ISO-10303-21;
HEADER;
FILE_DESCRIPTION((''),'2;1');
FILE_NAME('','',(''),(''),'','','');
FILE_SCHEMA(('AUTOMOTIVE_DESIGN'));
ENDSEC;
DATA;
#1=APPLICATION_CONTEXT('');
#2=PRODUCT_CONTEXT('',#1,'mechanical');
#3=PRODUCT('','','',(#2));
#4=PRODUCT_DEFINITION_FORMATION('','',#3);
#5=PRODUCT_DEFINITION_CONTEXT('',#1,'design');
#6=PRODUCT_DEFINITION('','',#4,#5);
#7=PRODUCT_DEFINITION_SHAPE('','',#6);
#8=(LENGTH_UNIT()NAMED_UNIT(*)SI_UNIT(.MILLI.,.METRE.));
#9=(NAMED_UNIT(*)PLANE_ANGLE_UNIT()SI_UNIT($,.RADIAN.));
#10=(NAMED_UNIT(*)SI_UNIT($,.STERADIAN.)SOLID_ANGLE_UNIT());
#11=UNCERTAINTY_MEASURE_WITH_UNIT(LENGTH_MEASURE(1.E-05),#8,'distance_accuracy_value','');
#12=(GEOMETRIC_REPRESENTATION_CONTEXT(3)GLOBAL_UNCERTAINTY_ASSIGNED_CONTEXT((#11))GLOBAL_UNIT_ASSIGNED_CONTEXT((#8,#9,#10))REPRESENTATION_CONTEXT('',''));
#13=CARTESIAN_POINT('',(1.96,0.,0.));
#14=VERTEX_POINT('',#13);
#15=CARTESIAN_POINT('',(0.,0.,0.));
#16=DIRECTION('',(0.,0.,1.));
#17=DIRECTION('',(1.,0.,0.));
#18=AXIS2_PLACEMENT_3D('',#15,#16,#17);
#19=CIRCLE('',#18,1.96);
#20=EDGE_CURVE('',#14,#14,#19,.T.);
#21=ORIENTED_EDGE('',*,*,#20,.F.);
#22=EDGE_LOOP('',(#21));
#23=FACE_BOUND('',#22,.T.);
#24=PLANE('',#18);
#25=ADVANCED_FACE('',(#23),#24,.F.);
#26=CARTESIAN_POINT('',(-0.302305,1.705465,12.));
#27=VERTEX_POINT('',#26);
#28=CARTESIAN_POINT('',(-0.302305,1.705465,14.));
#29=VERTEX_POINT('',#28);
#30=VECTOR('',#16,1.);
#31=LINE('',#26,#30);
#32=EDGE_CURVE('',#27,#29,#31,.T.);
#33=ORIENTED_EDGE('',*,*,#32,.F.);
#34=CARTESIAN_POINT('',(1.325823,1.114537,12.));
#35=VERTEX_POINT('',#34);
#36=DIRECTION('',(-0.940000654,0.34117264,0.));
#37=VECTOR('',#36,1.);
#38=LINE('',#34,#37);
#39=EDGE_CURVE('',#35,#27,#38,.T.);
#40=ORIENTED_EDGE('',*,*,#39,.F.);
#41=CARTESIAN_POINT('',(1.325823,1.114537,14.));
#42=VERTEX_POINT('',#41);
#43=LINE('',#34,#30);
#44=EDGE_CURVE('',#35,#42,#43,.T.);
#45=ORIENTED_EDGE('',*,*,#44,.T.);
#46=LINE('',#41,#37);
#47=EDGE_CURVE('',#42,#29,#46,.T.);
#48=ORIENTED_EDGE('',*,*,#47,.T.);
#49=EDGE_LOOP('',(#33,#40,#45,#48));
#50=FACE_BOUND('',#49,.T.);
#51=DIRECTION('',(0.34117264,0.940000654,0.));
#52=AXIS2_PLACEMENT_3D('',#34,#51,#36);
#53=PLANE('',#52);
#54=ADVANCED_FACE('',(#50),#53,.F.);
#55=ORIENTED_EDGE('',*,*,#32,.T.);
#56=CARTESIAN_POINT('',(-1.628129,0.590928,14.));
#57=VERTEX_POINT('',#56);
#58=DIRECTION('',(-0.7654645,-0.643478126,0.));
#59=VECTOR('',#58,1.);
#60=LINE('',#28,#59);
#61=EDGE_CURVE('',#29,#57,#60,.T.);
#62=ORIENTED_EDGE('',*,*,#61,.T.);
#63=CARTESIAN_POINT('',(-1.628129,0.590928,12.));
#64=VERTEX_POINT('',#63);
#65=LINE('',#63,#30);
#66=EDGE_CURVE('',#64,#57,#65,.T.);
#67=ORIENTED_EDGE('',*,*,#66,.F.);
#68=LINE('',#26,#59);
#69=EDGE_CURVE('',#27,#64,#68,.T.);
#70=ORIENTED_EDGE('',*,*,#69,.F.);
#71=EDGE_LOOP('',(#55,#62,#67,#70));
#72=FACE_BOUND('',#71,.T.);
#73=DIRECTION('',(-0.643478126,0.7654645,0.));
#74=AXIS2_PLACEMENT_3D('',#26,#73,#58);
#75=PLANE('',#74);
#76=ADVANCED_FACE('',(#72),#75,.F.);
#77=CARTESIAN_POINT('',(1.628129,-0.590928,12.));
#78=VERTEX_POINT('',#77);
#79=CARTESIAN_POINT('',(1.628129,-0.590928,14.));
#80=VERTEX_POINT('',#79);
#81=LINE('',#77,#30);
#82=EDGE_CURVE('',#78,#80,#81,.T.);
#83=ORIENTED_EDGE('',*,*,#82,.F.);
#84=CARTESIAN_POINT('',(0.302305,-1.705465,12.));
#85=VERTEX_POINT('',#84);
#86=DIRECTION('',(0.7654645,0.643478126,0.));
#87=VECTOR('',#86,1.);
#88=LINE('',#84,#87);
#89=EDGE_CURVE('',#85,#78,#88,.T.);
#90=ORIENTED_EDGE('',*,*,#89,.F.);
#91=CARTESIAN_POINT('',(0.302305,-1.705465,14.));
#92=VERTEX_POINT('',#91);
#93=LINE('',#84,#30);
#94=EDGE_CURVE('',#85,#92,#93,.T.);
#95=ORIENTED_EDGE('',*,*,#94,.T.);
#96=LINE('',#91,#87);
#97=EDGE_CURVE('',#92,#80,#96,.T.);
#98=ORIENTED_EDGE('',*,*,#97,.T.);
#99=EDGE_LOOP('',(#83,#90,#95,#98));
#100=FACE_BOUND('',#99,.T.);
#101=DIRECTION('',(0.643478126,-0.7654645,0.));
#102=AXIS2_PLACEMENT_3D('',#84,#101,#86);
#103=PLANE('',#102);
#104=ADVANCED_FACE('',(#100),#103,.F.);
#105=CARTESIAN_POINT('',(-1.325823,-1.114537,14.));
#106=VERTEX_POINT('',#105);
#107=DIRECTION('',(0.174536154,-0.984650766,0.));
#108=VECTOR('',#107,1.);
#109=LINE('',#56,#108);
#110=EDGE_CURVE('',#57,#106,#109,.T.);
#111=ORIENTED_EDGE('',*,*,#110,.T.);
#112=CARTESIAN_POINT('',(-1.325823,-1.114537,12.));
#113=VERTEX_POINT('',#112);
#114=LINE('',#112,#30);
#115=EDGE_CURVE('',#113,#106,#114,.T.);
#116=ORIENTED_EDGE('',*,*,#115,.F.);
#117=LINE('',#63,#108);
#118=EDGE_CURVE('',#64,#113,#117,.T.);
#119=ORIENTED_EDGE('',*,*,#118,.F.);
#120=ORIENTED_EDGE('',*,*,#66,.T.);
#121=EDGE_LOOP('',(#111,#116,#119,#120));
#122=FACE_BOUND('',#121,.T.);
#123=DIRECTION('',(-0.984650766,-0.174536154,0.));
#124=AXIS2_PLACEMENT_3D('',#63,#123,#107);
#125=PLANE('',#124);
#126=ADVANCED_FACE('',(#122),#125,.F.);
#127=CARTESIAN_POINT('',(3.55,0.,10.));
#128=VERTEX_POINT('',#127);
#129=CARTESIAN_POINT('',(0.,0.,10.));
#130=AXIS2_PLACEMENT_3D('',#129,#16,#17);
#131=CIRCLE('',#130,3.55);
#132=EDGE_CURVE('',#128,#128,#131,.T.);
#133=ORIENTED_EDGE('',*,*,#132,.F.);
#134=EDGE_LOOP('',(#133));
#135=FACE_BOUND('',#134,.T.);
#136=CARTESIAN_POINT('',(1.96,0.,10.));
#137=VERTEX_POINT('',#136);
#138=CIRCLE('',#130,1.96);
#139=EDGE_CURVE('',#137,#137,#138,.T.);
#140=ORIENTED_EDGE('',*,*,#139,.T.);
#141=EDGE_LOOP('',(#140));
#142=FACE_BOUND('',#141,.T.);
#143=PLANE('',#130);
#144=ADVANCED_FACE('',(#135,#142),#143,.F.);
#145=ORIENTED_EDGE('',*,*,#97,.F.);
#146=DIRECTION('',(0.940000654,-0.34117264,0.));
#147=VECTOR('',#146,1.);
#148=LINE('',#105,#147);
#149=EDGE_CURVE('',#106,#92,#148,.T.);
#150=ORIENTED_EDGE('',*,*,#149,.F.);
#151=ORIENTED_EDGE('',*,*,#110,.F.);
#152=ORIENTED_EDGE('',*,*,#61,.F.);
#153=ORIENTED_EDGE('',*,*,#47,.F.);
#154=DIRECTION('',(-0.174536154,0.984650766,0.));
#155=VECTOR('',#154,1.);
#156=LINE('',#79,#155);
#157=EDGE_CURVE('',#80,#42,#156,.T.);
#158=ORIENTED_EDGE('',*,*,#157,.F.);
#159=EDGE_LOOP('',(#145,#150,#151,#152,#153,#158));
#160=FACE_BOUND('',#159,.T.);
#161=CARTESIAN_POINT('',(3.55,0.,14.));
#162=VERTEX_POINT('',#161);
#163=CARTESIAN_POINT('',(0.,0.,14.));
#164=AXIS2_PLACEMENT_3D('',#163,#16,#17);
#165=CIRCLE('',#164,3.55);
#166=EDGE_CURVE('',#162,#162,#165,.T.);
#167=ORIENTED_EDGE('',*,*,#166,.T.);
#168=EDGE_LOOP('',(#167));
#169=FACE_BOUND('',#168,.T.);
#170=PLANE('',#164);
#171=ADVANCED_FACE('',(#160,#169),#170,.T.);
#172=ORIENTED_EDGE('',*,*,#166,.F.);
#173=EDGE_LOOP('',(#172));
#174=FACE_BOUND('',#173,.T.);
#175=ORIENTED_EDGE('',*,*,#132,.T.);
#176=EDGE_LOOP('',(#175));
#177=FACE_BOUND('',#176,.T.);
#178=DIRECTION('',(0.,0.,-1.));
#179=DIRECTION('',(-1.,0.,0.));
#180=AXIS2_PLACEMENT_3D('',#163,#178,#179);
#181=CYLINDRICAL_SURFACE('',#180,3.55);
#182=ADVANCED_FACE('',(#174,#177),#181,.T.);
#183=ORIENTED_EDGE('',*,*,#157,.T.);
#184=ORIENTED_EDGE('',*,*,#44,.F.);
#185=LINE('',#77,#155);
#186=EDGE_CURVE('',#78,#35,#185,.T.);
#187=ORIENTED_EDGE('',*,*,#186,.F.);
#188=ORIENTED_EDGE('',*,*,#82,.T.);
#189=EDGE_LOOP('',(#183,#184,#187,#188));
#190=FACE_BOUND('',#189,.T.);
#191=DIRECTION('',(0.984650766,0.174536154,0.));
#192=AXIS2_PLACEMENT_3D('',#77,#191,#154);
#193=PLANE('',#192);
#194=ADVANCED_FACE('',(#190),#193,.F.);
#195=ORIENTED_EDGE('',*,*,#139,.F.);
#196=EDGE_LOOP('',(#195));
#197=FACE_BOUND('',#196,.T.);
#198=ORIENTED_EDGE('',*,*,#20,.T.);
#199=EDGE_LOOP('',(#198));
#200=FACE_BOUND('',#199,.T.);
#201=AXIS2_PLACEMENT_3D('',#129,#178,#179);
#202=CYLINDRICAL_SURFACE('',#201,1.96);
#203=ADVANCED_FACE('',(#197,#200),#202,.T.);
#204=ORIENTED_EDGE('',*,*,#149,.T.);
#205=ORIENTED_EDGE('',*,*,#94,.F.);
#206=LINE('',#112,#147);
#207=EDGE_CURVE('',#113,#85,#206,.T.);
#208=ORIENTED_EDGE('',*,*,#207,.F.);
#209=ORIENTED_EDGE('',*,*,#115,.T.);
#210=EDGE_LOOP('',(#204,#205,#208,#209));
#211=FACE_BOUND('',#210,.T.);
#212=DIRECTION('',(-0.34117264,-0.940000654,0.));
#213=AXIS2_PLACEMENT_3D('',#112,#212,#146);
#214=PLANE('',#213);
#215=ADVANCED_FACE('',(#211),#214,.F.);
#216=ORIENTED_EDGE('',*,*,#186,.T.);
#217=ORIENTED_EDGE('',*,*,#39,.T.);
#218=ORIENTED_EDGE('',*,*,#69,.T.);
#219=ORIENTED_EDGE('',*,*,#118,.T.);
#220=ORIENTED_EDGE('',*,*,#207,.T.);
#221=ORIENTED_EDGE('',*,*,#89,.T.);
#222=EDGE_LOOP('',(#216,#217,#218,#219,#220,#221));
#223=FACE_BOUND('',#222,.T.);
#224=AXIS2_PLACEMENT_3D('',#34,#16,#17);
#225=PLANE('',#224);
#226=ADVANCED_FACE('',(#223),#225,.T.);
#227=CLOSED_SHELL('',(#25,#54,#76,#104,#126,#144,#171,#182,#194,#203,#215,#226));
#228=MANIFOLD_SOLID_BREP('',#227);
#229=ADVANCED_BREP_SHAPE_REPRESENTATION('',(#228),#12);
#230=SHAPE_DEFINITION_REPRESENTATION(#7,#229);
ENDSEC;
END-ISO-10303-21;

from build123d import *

# Parameters (mm, degrees)
SKETCH1_R           = 1.96
BOSS_EXTRUDE1_DEPTH = 10
SKETCH2_R           = 3.55
BOSS_EXTRUDE2_DEPTH = 4
CUT_EXTRUDE1_DEPTH  = 2


with BuildPart() as part:
    # Sketch1 → Boss-Extrude1 (new body)
    with BuildSketch(Plane.XY):
        Circle(SKETCH1_R)
    extrude(amount=BOSS_EXTRUDE1_DEPTH)

    # Sketch2 → Boss-Extrude2 (add)
    with BuildSketch(Plane.XY.offset(10)):
        Circle(SKETCH2_R)
    extrude(amount=BOSS_EXTRUDE2_DEPTH)

    # Sketch3 → Cut-Extrude1 (cut)
    with BuildSketch(Plane.XY.offset(14)):
        Polygon((1.325823406, 1.114536808), (-0.302305486, 1.705465155), (-1.628128892, 0.590928347), (-1.325823406, -1.114536808), (0.302305486, -1.705465155), (1.628128892, -0.590928347), align=None)
    extrude(amount=-CUT_EXTRUDE1_DEPTH, mode=Mode.SUBTRACT)


solid = part.part
